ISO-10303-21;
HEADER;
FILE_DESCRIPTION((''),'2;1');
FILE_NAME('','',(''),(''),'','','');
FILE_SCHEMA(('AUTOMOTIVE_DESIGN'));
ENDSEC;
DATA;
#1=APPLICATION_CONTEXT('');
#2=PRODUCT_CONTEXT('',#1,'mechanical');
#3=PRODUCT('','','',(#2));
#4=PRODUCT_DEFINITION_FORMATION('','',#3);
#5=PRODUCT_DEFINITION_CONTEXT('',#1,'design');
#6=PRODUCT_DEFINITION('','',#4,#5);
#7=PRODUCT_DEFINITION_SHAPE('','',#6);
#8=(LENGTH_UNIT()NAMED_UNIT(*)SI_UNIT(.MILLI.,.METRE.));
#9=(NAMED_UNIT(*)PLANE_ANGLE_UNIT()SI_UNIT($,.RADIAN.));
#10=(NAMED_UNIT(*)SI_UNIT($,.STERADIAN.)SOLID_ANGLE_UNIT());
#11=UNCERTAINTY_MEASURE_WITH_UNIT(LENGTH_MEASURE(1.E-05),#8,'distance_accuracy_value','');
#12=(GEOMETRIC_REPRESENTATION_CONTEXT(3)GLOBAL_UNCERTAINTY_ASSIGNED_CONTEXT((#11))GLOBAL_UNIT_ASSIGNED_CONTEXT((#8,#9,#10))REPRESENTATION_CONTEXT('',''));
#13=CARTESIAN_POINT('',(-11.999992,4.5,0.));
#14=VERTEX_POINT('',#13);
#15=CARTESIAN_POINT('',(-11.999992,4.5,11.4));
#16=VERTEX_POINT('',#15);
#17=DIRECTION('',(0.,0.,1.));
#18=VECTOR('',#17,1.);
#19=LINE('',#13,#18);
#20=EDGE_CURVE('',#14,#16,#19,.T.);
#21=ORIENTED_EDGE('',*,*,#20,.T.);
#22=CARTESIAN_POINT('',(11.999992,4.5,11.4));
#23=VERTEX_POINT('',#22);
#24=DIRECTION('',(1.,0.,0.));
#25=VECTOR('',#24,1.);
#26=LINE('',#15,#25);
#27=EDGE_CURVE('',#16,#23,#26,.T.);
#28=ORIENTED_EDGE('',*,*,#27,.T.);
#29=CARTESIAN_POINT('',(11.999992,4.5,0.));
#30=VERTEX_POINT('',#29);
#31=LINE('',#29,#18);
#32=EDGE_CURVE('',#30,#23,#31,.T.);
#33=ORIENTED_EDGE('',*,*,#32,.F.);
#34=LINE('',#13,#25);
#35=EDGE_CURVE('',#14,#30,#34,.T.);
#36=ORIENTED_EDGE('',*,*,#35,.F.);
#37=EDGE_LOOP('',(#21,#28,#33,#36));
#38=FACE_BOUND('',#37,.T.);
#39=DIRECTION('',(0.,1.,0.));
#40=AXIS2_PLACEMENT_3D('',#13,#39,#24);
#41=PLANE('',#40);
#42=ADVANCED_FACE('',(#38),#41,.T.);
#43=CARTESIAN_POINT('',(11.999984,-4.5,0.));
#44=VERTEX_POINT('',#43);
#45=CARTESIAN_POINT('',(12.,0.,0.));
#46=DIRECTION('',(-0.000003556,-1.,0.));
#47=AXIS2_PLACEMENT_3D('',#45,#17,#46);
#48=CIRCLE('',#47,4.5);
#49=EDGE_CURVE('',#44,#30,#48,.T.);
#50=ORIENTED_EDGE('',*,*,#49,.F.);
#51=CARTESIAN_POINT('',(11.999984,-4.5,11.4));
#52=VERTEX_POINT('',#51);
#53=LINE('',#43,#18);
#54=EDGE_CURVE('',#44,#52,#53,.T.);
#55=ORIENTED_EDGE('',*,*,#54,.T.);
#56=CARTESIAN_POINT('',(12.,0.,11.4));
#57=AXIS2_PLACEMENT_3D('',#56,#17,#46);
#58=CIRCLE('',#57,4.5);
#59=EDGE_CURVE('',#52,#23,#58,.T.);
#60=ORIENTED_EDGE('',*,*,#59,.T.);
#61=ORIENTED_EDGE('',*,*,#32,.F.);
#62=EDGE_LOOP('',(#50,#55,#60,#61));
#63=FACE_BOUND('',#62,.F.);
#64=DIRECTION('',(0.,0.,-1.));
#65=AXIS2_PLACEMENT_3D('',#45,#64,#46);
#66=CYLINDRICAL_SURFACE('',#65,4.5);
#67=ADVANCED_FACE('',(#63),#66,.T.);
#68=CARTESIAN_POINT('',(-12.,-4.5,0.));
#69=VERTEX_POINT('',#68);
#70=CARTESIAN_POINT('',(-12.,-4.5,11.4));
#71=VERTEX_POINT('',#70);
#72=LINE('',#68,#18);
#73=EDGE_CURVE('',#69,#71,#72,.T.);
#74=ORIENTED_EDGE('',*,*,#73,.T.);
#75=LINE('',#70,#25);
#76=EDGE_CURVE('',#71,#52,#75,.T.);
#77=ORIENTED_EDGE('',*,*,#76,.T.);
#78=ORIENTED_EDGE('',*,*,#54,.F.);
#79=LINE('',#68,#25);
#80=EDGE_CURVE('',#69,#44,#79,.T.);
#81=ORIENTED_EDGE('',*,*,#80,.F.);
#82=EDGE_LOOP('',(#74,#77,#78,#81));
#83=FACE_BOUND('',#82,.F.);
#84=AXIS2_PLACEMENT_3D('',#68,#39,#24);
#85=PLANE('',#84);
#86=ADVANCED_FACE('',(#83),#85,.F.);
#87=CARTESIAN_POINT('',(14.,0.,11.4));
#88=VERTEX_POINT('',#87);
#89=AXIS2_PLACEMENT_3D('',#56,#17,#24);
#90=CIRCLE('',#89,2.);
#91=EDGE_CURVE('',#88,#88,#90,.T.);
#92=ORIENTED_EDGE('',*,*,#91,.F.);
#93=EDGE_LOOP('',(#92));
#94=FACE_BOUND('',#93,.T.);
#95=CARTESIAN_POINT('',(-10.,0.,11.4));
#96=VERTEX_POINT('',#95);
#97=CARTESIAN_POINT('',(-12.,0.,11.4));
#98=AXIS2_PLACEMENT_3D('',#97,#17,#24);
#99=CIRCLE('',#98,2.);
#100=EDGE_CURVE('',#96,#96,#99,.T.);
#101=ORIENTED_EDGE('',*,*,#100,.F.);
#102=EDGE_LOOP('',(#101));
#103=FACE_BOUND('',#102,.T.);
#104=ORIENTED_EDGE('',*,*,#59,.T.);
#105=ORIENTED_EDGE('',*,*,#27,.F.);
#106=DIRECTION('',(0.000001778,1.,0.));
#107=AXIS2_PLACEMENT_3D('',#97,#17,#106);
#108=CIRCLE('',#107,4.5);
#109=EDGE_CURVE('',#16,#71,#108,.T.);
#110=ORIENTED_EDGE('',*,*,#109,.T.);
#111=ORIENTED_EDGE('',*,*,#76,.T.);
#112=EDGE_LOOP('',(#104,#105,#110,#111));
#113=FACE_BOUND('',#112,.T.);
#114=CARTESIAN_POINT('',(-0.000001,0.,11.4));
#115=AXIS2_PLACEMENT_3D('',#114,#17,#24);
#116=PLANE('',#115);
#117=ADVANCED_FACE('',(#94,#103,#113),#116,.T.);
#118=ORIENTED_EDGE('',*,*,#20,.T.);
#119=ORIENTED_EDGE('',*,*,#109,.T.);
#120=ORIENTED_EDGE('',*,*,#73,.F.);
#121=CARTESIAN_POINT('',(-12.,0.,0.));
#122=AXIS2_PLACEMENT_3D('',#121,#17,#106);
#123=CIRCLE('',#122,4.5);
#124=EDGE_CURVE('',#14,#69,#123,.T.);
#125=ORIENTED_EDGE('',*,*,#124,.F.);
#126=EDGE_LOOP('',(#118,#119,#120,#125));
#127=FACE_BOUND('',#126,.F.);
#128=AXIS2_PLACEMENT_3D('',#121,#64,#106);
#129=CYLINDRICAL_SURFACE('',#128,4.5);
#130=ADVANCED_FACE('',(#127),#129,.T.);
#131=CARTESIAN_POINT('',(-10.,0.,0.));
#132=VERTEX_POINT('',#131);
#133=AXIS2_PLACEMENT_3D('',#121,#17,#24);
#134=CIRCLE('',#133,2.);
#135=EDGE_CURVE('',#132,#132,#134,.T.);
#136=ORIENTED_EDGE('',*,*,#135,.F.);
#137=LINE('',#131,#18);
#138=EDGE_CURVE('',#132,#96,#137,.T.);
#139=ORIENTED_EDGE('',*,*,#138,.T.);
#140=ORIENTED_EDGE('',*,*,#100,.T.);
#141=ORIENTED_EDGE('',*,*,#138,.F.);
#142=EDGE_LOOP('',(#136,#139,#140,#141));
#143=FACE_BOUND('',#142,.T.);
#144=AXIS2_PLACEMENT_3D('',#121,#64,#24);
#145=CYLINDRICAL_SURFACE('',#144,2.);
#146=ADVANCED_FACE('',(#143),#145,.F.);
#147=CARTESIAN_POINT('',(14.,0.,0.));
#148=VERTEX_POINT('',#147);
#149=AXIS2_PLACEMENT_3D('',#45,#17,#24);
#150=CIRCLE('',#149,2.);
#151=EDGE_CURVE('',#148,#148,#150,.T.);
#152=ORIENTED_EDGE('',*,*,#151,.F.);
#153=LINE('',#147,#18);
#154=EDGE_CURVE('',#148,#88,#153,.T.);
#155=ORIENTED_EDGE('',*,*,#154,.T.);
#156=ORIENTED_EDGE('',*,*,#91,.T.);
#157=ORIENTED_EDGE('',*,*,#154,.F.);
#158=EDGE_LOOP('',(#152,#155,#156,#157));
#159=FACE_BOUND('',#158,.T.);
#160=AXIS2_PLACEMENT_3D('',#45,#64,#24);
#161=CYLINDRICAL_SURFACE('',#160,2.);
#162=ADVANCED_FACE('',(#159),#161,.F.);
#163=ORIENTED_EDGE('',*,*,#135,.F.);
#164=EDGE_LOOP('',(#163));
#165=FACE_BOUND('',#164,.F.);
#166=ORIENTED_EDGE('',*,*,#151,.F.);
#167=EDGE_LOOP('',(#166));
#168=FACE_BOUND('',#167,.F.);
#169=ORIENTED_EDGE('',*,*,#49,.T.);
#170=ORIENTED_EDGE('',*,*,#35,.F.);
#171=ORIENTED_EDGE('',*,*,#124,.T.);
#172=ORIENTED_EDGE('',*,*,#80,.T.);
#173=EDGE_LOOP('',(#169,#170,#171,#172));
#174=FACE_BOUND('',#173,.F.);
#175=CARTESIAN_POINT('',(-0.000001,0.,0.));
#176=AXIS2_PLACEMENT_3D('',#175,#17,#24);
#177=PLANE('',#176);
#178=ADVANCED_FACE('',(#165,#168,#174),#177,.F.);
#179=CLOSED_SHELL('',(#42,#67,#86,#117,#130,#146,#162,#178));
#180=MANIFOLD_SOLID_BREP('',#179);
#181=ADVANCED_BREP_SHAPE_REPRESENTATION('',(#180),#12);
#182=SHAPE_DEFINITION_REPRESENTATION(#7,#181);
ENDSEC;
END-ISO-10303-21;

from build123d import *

# Parameters (mm, degrees)
SKETCH_R  = 2
PAD_DEPTH = 11.4


with BuildPart() as part:
    # Sketch → Pad (new body)
    with BuildSketch(Plane.XY):
        with BuildLine():
            ThreePointArc((-11.999992, 4.5), (-16.5, 4e-06), (-12, -4.5))
            Line((-12, -4.5), (11.999984, -4.5))
            ThreePointArc((11.999984, -4.5), (16.5, -4e-06), (11.999992, 4.5))
            Line((-11.999992, 4.5), (11.999992, 4.5))
        make_face()
        with Locations((-12, 0)):
            Circle(SKETCH_R, mode=Mode.SUBTRACT)
        with Locations((12, 0)):
            Circle(SKETCH_R, mode=Mode.SUBTRACT)
    extrude(amount=PAD_DEPTH)


solid = part.part
